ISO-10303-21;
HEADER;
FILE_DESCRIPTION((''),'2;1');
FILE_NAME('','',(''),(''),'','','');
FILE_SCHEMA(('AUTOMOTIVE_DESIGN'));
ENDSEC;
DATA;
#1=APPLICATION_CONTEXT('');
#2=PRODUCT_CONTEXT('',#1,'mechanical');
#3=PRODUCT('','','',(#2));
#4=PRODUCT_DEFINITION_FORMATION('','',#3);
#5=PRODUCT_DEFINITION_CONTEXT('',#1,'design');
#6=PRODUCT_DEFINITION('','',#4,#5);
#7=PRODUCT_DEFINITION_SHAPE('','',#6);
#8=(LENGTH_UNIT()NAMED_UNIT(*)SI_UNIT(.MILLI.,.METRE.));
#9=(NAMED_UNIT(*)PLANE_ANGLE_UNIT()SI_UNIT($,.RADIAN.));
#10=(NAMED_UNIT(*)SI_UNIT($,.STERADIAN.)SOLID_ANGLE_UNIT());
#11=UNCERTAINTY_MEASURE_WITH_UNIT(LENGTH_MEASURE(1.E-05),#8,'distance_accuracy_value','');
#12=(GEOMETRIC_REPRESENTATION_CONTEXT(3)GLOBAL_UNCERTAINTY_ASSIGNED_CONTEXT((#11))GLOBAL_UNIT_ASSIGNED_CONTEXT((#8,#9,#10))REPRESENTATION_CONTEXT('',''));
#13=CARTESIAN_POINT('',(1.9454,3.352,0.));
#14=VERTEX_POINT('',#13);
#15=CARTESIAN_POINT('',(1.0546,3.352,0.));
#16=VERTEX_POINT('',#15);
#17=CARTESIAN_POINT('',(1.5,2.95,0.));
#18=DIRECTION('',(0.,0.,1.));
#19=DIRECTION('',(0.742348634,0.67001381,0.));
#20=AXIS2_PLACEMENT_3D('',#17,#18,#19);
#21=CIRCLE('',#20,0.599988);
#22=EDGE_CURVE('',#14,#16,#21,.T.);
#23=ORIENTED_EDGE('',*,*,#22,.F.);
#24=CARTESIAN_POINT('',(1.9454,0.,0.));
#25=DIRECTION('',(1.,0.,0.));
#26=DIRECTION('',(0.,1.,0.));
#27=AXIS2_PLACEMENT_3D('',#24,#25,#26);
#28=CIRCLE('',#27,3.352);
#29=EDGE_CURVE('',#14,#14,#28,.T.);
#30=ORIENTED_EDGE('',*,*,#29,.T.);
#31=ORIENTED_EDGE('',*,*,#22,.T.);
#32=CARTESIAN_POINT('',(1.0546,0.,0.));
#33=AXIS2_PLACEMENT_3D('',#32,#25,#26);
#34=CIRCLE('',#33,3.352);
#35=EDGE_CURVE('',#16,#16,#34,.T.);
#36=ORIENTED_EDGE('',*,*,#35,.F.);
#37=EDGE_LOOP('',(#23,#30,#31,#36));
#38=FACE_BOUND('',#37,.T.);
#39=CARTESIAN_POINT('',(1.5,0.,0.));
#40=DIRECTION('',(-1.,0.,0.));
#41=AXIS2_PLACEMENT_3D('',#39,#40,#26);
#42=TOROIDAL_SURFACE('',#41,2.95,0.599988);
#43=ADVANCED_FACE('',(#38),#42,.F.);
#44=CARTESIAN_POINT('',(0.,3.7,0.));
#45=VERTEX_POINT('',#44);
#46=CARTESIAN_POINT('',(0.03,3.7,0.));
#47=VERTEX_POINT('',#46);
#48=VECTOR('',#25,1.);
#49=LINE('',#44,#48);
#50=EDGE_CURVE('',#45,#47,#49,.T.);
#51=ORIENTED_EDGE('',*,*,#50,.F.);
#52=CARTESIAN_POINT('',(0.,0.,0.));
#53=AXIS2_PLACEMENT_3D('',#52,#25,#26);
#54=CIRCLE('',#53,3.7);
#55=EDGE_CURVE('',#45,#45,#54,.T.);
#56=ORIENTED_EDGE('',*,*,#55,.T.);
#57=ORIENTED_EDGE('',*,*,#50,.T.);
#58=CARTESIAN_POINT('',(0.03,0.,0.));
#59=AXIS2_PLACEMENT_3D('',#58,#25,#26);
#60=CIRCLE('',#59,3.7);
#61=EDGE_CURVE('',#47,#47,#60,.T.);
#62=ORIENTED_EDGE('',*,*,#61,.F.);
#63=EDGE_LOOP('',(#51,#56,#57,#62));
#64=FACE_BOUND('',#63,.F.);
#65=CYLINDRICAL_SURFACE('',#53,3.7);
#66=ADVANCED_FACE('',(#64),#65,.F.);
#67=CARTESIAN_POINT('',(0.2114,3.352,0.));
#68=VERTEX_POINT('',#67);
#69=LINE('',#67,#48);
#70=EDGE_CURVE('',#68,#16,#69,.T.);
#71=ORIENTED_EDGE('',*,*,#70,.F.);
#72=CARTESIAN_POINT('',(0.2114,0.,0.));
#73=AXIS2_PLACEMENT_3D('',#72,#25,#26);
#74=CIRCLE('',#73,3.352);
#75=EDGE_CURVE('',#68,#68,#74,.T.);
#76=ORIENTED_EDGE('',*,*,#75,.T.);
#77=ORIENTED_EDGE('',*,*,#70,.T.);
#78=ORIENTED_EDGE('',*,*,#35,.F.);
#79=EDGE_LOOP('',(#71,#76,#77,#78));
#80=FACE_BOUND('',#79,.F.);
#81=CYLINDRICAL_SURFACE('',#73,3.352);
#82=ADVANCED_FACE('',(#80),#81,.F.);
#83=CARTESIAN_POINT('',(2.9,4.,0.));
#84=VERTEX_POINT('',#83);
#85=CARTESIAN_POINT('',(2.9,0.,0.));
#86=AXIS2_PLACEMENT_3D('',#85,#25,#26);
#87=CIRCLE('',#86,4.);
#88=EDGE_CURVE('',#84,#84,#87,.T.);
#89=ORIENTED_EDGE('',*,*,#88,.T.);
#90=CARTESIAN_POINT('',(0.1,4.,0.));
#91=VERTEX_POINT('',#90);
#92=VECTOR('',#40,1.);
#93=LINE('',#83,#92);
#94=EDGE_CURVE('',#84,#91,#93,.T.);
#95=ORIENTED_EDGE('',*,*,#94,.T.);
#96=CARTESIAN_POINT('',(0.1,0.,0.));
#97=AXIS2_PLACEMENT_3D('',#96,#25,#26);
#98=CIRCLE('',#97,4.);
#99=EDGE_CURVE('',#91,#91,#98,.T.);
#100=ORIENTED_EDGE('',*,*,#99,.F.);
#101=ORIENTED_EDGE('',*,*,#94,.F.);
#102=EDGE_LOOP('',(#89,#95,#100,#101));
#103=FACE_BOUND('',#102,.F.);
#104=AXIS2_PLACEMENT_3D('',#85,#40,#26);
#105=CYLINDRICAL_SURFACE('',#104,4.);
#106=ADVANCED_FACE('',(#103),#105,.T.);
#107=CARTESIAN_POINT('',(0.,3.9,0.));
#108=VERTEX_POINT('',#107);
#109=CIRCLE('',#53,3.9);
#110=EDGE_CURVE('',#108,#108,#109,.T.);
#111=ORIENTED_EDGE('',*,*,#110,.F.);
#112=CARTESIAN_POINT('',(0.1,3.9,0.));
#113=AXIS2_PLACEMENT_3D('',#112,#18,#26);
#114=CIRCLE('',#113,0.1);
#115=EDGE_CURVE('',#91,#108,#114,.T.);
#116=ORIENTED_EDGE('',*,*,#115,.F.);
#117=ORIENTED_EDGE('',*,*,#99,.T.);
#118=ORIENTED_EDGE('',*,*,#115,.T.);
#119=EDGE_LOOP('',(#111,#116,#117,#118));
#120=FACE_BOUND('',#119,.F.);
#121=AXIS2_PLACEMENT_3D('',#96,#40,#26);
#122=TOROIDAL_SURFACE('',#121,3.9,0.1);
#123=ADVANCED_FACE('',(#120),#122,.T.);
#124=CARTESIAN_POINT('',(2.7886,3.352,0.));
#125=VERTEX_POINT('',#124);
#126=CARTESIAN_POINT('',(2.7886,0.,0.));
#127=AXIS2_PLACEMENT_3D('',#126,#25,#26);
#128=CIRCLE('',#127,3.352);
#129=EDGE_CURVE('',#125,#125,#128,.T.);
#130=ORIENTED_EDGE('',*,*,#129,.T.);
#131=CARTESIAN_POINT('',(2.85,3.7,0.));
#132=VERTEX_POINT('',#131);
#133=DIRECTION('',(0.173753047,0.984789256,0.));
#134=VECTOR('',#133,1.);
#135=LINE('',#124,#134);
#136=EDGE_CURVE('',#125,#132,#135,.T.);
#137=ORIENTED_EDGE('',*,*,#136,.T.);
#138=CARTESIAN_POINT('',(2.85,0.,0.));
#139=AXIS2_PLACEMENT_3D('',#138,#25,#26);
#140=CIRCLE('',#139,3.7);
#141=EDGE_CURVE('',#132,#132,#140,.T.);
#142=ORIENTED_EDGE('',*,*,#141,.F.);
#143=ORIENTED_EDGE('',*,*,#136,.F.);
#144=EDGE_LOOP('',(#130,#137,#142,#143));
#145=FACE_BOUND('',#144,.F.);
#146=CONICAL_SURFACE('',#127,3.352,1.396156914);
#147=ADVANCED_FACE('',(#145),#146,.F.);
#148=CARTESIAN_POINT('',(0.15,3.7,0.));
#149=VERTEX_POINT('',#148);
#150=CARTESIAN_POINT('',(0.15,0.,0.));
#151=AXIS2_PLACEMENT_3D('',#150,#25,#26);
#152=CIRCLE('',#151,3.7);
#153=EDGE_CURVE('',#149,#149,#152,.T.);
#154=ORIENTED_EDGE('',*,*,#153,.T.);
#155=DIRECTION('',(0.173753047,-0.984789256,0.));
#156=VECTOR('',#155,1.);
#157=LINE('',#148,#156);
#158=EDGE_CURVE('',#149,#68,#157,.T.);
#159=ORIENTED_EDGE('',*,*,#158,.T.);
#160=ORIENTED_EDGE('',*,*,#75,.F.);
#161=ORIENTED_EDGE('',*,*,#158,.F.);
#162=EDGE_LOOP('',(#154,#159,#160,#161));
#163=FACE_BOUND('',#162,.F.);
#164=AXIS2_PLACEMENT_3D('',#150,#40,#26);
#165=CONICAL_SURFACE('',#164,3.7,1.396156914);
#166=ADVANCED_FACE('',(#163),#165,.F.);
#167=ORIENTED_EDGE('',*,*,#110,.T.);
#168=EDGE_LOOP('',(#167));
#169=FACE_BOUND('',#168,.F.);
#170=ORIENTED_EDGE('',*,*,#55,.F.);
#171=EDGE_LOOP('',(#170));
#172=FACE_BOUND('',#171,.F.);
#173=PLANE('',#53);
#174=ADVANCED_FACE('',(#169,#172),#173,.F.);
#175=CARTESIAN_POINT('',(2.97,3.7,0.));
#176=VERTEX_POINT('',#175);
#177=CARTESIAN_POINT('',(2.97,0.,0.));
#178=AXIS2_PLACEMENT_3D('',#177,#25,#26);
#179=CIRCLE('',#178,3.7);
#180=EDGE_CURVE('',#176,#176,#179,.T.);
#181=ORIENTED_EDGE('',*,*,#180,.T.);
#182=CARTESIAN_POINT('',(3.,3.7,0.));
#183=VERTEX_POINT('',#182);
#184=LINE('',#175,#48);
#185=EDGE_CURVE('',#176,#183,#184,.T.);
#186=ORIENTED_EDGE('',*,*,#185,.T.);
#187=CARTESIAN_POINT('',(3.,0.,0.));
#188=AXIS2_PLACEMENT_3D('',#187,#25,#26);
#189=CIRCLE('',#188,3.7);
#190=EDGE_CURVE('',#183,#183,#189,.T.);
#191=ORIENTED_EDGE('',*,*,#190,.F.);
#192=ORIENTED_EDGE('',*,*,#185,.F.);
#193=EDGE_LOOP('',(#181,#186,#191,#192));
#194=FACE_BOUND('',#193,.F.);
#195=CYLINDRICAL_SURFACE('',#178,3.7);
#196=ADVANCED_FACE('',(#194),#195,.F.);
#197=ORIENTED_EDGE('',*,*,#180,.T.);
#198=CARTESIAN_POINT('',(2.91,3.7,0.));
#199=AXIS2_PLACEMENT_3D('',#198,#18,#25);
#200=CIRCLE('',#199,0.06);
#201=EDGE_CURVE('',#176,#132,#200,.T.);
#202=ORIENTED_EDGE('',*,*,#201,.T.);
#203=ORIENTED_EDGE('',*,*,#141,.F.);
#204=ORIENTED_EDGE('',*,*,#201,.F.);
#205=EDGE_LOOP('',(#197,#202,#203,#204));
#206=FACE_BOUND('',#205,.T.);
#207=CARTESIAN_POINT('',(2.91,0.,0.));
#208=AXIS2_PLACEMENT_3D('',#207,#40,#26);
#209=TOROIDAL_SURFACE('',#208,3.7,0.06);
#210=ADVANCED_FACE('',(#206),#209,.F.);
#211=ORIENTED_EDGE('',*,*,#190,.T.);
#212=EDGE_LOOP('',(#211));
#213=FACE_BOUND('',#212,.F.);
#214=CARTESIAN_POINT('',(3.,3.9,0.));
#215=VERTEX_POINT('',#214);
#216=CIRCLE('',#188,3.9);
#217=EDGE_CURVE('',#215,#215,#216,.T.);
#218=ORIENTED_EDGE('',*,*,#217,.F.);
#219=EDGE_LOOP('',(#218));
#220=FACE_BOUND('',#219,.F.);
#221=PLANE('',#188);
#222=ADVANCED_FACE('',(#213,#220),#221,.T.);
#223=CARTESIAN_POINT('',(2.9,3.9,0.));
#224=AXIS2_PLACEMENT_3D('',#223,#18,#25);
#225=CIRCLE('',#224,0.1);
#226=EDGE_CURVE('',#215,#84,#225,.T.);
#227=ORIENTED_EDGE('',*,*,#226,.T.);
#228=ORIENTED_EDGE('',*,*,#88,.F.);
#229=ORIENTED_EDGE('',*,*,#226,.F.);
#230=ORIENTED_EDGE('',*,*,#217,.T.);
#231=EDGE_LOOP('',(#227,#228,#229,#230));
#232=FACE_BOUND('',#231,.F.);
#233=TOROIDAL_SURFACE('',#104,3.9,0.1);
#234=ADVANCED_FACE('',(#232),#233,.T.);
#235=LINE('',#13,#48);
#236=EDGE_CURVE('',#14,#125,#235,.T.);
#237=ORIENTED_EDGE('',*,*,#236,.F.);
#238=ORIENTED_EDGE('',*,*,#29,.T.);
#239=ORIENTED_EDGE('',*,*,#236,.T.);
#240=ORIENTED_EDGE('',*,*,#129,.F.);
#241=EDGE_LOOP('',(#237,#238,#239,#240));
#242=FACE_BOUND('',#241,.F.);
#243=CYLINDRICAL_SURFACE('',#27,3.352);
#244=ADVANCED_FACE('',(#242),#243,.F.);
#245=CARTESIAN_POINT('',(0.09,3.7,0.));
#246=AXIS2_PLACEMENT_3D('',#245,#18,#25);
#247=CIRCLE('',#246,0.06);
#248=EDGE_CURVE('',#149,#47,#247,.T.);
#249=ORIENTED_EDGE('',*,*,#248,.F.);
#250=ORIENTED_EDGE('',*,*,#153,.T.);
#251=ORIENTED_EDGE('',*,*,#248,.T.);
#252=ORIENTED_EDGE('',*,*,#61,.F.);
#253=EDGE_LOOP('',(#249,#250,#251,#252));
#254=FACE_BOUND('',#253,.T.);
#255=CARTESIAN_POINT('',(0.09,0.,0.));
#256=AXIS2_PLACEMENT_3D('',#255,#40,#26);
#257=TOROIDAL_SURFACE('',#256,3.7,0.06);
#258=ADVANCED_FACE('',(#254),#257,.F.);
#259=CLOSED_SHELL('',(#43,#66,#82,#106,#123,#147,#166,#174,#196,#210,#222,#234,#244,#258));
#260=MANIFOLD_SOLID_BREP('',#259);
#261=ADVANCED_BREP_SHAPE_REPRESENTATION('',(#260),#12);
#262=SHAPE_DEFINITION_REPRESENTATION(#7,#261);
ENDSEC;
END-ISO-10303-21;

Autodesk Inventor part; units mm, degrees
ref_plane "YZ Plane" through (0, 0, 0) normal (1, 0, 0) x (0, 1, 0)
ref_plane "XZ Plane" through (0, 0, 0) normal (0, 1, 0) x (-1, 0, 0)
ref_plane "XY Plane" through (0, 0, 0) normal (0, 0, 1) x (1, 0, 0)
sketch "Sketch_17" plane through (0, 0, 0) normal (0, 0, 1) x (1, 0, 0)
  line L0 (50, 0) -> (-50, 0)
  line L1 (0, 3.9) -> (0, 3.7)
  line L2 (0, 3.7) -> (0.03, 3.7)
  arc A0 (0.15, 3.7) -> (0.03, 3.7) centre (0.09, 3.7) ccw
  line L3 (0.15, 3.7) -> (0.2114, 3.352)
  line L4 (0.2114, 3.352) -> (1.0546, 3.352)
  arc A1 (1.9454, 3.352) -> (1.0546, 3.352) centre (1.5, 2.95) ccw
  line L5 (1.9454, 3.352) -> (2.7886, 3.352)
  line L6 (2.7886, 3.352) -> (2.85, 3.7)
  arc A2 (2.97, 3.7) -> (2.85, 3.7) centre (2.91, 3.7) ccw
  line L7 (2.97, 3.7) -> (3, 3.7)
  line L8 (3, 3.7) -> (3, 3.9)
  arc A3 (3, 3.9) -> (2.9, 4) centre (2.9, 3.9) ccw
  line L9 (2.9, 4) -> (0.1, 4)
  arc A4 (0.1, 4) -> (0, 3.9) centre (0.1, 3.9) ccw
revolve "Revolution1" add sketch "Sketch_17" angle 360 about axis through (50, 0, 0) along (1, 0, 0)
properties part number "W 619/3-2Z_PART2"
